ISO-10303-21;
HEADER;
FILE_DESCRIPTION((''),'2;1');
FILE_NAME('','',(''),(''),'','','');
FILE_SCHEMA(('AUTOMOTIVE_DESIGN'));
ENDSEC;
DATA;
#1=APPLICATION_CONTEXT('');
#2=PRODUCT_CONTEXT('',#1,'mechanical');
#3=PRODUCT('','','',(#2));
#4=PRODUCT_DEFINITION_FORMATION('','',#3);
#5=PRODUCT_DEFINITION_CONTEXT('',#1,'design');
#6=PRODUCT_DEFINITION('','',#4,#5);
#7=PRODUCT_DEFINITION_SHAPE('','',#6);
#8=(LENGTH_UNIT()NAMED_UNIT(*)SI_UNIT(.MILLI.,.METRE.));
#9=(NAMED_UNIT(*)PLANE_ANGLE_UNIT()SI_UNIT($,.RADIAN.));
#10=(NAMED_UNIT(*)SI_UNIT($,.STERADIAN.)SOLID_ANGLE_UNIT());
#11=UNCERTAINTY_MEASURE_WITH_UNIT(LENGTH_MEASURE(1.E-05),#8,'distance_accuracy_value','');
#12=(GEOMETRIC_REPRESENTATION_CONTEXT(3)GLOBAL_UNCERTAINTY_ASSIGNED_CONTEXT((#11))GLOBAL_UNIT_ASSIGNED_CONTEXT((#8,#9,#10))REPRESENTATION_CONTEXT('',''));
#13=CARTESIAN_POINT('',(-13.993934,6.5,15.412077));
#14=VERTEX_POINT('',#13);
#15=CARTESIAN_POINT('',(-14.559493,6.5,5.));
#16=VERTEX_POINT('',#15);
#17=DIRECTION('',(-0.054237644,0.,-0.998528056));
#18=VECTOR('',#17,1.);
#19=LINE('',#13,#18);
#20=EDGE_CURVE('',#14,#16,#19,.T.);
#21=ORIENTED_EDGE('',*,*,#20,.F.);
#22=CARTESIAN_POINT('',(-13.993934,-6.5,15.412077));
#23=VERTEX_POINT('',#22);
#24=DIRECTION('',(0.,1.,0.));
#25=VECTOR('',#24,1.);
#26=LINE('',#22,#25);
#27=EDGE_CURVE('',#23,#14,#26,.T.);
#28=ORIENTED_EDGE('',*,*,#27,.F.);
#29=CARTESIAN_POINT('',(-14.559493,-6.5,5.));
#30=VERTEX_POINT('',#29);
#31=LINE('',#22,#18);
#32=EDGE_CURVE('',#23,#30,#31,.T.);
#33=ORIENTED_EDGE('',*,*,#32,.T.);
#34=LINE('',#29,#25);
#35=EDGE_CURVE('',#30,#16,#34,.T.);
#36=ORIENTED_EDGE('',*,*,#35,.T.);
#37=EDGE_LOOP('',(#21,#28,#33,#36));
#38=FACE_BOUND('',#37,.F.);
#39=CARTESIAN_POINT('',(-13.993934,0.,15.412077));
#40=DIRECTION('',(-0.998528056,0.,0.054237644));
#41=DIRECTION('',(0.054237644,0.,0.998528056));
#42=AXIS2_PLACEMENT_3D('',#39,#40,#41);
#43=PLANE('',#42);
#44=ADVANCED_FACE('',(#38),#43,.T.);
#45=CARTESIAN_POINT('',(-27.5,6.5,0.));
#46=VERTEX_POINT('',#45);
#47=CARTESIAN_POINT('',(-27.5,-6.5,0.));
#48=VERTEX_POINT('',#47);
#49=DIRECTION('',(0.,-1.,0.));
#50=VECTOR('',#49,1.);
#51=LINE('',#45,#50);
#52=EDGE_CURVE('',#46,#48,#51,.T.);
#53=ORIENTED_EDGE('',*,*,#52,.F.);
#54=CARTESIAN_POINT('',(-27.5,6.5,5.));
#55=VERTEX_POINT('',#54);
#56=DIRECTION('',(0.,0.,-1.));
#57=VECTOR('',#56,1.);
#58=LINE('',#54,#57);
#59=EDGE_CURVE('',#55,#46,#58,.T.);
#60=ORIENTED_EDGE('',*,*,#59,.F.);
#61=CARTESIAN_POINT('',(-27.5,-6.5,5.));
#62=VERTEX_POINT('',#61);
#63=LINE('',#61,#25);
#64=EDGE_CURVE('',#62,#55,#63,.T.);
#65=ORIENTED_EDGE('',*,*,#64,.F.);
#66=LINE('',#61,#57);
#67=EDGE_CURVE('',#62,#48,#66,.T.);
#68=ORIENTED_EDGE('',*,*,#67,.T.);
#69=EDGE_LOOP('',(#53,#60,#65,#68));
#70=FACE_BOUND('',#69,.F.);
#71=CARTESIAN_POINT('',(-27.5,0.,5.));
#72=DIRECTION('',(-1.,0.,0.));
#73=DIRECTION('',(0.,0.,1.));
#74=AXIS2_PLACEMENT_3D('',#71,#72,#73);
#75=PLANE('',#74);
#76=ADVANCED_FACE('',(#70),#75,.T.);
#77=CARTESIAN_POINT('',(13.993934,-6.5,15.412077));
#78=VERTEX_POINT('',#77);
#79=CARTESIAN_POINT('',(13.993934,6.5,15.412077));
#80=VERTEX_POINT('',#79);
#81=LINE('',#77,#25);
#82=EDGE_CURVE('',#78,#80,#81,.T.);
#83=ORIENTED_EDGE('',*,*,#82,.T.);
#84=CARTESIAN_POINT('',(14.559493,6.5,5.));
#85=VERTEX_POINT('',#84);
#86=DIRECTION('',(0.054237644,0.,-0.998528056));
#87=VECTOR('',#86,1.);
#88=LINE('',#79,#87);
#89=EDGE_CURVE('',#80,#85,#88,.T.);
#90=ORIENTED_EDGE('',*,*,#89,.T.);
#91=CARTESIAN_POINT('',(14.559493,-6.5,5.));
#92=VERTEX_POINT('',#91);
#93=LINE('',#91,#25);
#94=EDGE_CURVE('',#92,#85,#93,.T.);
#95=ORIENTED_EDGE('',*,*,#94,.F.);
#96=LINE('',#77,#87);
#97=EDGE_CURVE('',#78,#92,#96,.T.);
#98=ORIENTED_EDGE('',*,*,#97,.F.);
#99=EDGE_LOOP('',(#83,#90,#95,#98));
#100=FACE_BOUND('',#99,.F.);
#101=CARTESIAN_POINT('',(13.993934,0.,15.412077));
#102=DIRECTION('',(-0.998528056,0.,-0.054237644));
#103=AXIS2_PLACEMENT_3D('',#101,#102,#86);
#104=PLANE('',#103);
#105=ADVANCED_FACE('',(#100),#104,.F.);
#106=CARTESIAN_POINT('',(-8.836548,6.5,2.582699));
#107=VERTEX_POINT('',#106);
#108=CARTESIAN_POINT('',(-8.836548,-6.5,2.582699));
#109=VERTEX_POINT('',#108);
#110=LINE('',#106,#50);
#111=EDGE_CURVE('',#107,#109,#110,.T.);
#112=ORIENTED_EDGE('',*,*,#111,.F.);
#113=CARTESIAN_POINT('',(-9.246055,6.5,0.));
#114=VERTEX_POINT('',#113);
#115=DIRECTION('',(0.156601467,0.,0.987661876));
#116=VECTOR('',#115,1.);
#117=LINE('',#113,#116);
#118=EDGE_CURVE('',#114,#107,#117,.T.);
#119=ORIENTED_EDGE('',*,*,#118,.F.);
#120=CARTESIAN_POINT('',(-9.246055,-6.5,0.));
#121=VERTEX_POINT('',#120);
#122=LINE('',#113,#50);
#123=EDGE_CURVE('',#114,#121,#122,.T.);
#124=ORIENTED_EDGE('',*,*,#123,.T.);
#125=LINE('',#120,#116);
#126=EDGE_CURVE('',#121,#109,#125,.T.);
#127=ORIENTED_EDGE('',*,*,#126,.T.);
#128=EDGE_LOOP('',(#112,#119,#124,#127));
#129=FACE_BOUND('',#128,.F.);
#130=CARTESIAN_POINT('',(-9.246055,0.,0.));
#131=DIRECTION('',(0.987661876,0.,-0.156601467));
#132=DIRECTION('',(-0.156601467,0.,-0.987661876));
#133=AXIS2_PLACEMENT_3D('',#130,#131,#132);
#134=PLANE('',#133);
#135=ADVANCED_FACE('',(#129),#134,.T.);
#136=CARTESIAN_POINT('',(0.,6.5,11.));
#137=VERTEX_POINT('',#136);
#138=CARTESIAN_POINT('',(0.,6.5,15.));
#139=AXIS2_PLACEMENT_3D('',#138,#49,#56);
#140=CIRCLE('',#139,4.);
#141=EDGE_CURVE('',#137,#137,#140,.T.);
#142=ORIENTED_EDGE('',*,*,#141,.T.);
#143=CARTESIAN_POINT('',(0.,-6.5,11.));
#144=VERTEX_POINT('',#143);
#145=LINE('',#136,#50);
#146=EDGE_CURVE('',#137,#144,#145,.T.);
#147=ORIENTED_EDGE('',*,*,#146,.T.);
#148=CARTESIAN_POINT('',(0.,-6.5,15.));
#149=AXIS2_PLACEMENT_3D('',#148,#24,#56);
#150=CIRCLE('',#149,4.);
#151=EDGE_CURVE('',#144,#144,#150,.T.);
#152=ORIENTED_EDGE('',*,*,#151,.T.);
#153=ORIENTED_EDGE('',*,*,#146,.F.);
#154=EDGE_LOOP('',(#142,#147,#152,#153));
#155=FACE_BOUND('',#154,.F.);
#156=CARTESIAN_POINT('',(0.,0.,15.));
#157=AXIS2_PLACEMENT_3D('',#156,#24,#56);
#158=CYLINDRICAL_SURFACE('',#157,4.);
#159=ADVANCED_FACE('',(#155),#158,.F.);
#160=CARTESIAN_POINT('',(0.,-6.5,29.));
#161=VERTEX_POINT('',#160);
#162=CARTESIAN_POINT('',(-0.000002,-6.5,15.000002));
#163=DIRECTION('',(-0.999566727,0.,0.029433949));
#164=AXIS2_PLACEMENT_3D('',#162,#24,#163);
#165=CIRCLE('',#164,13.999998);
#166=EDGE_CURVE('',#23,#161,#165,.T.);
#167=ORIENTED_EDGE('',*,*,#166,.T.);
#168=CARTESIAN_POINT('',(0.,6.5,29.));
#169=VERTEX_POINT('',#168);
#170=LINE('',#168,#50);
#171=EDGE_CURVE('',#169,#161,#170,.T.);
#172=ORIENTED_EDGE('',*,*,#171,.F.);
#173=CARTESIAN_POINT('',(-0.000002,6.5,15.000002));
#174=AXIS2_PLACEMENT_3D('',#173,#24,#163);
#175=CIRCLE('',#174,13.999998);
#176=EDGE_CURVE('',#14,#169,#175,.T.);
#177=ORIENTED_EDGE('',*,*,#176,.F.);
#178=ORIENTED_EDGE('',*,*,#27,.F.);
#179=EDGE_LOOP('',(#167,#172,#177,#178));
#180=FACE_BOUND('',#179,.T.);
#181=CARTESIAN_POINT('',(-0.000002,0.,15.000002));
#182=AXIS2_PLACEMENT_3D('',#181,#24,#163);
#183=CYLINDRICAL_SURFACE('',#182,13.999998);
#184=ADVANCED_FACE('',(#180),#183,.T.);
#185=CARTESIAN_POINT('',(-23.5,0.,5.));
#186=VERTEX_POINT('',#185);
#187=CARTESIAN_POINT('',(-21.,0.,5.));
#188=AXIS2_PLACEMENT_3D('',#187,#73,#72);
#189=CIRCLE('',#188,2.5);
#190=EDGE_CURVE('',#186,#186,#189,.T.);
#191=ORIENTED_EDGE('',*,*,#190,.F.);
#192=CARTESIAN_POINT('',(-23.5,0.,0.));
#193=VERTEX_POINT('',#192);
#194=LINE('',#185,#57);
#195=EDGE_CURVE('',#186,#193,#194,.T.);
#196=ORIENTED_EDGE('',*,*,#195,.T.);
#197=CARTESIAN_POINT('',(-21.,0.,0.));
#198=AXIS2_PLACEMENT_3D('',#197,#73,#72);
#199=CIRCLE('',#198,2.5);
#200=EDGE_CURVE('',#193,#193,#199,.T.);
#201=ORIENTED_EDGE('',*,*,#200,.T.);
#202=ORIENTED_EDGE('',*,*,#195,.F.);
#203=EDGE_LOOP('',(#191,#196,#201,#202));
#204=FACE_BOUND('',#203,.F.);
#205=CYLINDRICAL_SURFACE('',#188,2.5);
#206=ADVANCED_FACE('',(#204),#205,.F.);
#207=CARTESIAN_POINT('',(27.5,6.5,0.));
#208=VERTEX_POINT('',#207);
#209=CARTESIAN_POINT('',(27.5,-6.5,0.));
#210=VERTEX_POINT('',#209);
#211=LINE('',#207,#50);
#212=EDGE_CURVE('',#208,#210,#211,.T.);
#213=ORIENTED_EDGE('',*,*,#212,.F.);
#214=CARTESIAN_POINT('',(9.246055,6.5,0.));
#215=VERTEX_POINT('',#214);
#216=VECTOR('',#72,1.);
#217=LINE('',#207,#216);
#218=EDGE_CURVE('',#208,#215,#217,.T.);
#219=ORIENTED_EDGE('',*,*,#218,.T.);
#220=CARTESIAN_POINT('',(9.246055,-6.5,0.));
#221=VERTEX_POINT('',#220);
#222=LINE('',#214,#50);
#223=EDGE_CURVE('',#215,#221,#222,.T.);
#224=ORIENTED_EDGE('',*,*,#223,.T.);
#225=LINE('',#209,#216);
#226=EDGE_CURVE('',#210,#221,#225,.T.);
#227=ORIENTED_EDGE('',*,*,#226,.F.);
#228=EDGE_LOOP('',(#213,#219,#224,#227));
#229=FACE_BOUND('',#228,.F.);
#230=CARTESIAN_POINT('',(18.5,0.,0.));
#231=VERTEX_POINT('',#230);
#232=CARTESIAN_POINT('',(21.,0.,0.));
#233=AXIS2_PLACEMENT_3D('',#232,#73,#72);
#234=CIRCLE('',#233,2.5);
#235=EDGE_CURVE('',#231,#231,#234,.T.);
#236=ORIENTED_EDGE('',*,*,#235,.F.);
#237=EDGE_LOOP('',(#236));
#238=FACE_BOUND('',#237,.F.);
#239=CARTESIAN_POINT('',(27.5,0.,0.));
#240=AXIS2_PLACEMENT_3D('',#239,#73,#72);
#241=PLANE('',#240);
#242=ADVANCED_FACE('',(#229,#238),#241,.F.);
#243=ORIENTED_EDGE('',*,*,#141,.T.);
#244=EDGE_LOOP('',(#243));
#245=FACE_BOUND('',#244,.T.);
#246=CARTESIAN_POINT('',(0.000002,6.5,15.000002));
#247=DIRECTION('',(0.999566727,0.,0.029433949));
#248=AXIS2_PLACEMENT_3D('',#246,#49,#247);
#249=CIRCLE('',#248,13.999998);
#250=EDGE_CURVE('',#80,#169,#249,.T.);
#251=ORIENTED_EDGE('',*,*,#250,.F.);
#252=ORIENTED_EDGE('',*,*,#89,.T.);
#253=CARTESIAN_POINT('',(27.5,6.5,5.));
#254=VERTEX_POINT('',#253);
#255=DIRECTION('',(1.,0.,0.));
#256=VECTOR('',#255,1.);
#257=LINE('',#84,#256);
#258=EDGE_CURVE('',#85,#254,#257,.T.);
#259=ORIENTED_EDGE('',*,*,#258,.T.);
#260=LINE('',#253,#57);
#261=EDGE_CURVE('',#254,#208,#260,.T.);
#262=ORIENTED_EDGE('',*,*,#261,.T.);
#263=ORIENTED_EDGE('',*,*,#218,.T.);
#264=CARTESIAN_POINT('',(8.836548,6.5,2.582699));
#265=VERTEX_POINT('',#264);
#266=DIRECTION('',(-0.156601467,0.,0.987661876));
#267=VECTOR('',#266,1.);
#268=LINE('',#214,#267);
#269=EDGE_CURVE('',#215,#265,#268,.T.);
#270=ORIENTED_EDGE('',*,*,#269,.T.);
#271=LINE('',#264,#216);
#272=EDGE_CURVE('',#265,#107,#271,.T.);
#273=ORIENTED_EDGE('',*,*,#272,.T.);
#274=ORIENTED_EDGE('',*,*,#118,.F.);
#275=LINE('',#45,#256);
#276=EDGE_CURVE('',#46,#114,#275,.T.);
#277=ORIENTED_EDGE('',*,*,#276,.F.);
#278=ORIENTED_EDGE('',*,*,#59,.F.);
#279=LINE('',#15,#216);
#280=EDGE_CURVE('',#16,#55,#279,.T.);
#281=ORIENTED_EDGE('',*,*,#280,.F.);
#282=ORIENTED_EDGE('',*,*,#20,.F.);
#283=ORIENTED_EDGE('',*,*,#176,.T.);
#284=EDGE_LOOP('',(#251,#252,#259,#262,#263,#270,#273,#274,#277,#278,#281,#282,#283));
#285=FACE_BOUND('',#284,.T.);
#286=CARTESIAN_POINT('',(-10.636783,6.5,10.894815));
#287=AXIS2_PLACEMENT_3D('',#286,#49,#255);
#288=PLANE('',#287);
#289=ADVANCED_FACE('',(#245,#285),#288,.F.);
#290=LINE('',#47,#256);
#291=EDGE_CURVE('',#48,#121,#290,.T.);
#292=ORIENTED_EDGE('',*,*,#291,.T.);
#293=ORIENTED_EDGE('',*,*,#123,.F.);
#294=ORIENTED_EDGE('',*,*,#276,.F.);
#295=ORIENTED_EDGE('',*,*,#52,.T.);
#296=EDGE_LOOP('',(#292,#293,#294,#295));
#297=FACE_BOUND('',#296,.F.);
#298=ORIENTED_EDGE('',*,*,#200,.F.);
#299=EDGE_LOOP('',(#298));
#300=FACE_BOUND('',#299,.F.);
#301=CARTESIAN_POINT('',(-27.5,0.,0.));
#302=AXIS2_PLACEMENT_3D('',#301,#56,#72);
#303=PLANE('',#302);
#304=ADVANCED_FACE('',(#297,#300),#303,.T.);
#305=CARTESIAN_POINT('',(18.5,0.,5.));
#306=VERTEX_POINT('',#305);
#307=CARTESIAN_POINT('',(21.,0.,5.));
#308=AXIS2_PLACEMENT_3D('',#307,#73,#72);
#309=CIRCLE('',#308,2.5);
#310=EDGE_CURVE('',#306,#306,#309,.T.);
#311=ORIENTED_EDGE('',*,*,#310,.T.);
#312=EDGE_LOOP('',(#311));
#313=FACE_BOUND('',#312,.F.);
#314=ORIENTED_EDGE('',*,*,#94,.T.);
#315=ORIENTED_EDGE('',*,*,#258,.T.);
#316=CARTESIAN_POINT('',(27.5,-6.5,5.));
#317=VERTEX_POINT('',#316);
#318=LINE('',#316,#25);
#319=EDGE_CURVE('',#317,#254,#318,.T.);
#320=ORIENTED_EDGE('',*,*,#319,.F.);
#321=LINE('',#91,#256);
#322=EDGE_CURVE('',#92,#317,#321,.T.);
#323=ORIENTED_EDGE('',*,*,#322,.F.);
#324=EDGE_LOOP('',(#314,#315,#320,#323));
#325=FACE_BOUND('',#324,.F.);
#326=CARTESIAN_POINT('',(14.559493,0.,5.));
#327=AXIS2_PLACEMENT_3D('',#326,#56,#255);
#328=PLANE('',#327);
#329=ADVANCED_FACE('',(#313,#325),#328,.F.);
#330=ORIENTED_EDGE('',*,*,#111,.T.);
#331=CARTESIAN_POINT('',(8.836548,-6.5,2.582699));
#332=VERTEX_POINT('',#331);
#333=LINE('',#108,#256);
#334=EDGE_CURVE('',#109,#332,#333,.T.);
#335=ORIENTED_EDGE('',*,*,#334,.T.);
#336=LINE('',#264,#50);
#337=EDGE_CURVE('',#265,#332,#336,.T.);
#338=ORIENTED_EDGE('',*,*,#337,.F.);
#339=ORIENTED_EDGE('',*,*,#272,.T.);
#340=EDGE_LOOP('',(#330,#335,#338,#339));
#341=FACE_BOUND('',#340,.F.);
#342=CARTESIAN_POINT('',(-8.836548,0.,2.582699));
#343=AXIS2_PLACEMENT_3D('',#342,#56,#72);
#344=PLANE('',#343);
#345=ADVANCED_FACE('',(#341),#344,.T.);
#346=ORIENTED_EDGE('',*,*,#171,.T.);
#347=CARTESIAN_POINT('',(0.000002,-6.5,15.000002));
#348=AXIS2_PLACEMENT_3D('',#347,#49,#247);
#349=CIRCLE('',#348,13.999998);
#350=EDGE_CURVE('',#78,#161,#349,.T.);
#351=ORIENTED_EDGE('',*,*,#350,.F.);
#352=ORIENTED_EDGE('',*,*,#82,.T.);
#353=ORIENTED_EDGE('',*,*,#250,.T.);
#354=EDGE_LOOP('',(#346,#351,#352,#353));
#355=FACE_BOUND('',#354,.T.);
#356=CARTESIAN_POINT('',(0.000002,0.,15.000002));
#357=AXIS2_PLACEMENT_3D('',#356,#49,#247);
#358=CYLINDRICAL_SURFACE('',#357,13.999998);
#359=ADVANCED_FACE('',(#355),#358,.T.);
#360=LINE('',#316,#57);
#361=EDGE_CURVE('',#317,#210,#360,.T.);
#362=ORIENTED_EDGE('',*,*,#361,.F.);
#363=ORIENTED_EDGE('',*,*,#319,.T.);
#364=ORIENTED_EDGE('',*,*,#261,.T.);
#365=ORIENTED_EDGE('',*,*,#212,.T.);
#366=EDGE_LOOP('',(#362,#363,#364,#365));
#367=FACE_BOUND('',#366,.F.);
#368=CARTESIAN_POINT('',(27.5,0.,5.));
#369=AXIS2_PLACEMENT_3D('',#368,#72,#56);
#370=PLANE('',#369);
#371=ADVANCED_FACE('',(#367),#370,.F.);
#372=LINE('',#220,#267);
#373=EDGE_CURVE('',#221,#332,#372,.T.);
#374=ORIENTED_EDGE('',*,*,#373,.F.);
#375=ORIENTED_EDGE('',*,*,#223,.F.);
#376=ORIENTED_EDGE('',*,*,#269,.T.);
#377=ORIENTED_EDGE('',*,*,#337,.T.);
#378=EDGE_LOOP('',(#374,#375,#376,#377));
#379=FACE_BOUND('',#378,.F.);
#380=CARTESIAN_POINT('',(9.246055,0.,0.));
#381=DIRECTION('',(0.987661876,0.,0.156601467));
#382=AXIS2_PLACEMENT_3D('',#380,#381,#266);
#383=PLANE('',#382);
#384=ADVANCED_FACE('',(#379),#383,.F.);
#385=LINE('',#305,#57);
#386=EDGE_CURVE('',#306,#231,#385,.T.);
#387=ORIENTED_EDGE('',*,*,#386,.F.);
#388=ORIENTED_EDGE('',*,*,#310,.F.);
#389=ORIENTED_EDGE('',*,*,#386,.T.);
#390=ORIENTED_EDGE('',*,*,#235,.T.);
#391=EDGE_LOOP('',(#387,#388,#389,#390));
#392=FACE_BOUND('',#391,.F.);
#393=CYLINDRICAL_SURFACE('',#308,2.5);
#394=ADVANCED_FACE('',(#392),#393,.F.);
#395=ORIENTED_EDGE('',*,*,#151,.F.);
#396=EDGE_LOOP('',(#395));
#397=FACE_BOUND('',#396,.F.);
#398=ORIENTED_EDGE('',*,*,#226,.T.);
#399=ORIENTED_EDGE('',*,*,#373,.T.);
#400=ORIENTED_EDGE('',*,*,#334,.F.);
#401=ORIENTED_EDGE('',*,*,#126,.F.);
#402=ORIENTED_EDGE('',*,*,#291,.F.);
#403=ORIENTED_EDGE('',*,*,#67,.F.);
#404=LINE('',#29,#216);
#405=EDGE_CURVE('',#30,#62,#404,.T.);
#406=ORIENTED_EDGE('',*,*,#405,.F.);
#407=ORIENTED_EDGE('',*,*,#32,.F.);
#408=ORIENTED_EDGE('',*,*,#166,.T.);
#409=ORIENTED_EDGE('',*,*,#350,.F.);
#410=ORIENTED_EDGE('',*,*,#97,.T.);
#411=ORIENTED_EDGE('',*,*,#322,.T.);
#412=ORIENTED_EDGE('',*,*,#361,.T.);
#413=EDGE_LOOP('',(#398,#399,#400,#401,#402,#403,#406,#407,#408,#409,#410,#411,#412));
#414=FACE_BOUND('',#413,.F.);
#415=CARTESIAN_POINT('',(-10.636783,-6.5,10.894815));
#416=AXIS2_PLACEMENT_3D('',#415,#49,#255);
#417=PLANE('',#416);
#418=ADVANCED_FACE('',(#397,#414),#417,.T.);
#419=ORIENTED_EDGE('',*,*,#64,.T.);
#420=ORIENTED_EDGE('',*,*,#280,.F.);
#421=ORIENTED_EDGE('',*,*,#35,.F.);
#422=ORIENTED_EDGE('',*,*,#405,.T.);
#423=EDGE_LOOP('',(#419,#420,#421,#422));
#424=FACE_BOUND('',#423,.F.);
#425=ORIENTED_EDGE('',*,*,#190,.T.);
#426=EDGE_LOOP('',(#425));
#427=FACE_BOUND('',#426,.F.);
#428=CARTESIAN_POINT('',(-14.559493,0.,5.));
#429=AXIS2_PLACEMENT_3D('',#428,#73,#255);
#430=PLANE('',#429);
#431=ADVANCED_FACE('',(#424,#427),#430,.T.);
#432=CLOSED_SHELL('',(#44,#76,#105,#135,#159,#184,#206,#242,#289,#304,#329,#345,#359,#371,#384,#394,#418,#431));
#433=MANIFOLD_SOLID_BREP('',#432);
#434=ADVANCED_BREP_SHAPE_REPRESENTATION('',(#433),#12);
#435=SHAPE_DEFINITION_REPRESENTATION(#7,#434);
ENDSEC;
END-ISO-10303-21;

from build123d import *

# Parameters (mm, degrees)
PAD309_DEPTH      = 6.5
PAD309_DEPTH_BACK = 6.5
SKETCH722_R       = 2.5
POCKET253_DEPTH   = 100


with BuildPart() as part:
    # Sketch721 → Pad309 (new body, two sides)
    with BuildSketch(Plane.XZ) as pad309_sk:
        with BuildLine():
            ThreePointArc((13.993934, 15.412077), (9.752716, 25.04413), (0, 29))
            Line((0, 29), (0, 19))
            ThreePointArc((0, 11), (4, 15), (0, 19))
            Line((0, 11), (0, 2.582699))
            Line((8.836548, 2.582699), (0, 2.582699))
            Line((9.246055, 0), (8.836548, 2.582699))
            Line((27.5, 0), (9.246055, 0))
            Line((27.5, 5), (27.5, 0))
            Line((14.559493, 5), (27.5, 5))
            Line((13.993934, 15.412077), (14.559493, 5))
        make_face()
    pad309 = extrude(amount=PAD309_DEPTH) + extrude(pad309_sk.sketch, amount=-PAD309_DEPTH_BACK)

    # Mirrored001: Pad309 across Sketch721 V_Axis
    add(pad309.mirror(Plane(origin=(0, 0, 0), x_dir=(0, -1, 0), z_dir=(1, 0, 0))))

    # Sketch722 (on Face4 of Mirrored001) → Pocket253 (cut)
    with BuildSketch(Plane(origin=(0, 0, 5), x_dir=(-1, 0, 0), z_dir=(0, 0, 1))):
        with Locations((21, 0)):
            Circle(SKETCH722_R)
        with Locations((-21, 0)):
            Circle(SKETCH722_R)
    extrude(amount=-POCKET253_DEPTH, mode=Mode.SUBTRACT)


solid = part.part
